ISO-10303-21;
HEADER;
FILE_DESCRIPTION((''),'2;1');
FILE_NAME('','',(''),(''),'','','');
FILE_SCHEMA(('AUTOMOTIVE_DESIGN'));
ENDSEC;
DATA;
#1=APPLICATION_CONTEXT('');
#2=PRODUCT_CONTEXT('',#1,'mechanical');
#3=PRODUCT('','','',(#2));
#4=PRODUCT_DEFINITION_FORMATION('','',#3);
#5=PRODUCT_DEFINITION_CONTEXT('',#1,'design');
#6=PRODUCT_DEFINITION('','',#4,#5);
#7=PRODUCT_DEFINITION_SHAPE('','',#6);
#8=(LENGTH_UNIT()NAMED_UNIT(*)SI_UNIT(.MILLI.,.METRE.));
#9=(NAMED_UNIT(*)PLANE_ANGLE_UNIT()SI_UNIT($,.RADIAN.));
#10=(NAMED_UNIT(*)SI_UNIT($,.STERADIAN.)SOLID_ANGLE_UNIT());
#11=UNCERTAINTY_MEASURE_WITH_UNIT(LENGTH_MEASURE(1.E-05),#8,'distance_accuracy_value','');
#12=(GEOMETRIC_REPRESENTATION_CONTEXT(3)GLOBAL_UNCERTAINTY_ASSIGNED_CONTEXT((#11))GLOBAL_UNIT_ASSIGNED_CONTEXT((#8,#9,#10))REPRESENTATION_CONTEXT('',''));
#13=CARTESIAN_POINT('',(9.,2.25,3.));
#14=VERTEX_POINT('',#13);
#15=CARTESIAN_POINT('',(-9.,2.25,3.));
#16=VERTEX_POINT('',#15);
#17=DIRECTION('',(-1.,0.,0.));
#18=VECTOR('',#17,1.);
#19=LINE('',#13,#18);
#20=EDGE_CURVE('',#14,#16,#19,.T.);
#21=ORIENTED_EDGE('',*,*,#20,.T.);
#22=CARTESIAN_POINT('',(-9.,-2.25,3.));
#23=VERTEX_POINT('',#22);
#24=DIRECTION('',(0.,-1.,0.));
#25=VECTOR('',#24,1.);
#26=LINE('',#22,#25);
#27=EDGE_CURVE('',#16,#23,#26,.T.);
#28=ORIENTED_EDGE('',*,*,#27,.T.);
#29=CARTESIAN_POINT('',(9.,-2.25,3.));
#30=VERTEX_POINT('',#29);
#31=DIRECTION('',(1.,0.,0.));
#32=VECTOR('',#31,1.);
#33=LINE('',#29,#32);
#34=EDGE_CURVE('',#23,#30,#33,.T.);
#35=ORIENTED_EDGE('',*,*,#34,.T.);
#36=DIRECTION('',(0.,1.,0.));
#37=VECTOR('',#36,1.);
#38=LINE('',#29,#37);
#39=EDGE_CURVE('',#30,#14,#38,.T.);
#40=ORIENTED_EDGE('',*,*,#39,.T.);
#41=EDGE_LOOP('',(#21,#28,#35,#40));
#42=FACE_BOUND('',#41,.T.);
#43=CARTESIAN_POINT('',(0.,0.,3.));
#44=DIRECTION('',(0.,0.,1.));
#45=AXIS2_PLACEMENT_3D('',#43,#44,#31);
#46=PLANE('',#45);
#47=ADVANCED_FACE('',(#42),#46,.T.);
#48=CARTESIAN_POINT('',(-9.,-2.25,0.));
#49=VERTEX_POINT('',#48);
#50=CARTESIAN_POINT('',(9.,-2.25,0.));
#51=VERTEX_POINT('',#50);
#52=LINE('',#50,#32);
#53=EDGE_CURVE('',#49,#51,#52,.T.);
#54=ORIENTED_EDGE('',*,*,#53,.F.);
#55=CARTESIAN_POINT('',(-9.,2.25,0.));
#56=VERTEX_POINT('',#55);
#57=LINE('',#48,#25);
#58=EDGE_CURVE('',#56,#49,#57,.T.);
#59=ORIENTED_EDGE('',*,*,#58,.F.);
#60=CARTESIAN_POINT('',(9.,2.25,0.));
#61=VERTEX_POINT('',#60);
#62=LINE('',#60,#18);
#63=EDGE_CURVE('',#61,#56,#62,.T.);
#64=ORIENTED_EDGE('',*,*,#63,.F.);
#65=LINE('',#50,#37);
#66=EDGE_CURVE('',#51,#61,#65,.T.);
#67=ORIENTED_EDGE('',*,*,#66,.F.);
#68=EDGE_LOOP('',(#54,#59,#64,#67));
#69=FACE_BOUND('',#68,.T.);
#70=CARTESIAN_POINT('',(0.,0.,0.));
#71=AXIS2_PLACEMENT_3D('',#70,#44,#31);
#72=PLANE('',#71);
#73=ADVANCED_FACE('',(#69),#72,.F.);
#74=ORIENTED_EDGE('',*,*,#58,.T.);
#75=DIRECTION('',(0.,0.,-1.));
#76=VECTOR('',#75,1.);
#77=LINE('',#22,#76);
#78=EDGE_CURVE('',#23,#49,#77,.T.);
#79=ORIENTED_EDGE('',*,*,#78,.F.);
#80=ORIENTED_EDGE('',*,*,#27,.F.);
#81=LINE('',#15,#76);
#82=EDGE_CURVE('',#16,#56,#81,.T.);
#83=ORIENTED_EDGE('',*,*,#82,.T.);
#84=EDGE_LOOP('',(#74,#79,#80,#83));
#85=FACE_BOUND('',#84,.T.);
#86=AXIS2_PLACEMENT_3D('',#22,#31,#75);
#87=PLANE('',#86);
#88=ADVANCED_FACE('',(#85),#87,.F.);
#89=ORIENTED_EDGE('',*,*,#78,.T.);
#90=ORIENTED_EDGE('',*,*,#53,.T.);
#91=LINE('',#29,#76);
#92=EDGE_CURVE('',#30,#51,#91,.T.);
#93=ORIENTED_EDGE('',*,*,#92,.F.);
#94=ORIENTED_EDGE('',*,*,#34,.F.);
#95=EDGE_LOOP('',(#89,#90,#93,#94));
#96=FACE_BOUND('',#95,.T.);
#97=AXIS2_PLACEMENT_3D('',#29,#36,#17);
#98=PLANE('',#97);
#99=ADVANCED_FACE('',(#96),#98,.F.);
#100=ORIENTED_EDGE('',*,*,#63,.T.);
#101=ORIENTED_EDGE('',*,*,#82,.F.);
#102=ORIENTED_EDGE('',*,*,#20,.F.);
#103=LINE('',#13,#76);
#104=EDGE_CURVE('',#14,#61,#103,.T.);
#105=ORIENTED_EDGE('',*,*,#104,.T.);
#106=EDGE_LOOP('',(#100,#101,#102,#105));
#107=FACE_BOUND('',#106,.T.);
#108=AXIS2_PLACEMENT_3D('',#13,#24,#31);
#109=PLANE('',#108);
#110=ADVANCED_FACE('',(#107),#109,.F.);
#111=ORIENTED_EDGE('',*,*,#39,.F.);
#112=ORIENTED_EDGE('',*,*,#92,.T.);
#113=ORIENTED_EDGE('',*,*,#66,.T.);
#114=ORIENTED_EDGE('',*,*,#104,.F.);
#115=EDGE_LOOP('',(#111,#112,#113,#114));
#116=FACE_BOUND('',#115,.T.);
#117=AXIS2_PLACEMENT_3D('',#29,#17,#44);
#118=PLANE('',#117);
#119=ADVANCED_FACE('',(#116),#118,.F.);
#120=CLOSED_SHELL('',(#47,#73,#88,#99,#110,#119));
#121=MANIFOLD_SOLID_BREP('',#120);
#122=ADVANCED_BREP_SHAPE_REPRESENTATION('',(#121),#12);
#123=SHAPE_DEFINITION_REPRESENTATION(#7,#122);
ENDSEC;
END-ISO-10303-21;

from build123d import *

# Parameters (mm, degrees)
ESQUISSE1_W        = 18
ESQUISSE1_H        = 4.5
BOSS_EXTRU_1_DEPTH = 3


with BuildPart() as part:
    # Esquisse1 → Boss.-Extru.1 (new body)
    with BuildSketch(Plane.XY):
        Rectangle(ESQUISSE1_W, ESQUISSE1_H)
    extrude(amount=BOSS_EXTRU_1_DEPTH)


solid = part.part
